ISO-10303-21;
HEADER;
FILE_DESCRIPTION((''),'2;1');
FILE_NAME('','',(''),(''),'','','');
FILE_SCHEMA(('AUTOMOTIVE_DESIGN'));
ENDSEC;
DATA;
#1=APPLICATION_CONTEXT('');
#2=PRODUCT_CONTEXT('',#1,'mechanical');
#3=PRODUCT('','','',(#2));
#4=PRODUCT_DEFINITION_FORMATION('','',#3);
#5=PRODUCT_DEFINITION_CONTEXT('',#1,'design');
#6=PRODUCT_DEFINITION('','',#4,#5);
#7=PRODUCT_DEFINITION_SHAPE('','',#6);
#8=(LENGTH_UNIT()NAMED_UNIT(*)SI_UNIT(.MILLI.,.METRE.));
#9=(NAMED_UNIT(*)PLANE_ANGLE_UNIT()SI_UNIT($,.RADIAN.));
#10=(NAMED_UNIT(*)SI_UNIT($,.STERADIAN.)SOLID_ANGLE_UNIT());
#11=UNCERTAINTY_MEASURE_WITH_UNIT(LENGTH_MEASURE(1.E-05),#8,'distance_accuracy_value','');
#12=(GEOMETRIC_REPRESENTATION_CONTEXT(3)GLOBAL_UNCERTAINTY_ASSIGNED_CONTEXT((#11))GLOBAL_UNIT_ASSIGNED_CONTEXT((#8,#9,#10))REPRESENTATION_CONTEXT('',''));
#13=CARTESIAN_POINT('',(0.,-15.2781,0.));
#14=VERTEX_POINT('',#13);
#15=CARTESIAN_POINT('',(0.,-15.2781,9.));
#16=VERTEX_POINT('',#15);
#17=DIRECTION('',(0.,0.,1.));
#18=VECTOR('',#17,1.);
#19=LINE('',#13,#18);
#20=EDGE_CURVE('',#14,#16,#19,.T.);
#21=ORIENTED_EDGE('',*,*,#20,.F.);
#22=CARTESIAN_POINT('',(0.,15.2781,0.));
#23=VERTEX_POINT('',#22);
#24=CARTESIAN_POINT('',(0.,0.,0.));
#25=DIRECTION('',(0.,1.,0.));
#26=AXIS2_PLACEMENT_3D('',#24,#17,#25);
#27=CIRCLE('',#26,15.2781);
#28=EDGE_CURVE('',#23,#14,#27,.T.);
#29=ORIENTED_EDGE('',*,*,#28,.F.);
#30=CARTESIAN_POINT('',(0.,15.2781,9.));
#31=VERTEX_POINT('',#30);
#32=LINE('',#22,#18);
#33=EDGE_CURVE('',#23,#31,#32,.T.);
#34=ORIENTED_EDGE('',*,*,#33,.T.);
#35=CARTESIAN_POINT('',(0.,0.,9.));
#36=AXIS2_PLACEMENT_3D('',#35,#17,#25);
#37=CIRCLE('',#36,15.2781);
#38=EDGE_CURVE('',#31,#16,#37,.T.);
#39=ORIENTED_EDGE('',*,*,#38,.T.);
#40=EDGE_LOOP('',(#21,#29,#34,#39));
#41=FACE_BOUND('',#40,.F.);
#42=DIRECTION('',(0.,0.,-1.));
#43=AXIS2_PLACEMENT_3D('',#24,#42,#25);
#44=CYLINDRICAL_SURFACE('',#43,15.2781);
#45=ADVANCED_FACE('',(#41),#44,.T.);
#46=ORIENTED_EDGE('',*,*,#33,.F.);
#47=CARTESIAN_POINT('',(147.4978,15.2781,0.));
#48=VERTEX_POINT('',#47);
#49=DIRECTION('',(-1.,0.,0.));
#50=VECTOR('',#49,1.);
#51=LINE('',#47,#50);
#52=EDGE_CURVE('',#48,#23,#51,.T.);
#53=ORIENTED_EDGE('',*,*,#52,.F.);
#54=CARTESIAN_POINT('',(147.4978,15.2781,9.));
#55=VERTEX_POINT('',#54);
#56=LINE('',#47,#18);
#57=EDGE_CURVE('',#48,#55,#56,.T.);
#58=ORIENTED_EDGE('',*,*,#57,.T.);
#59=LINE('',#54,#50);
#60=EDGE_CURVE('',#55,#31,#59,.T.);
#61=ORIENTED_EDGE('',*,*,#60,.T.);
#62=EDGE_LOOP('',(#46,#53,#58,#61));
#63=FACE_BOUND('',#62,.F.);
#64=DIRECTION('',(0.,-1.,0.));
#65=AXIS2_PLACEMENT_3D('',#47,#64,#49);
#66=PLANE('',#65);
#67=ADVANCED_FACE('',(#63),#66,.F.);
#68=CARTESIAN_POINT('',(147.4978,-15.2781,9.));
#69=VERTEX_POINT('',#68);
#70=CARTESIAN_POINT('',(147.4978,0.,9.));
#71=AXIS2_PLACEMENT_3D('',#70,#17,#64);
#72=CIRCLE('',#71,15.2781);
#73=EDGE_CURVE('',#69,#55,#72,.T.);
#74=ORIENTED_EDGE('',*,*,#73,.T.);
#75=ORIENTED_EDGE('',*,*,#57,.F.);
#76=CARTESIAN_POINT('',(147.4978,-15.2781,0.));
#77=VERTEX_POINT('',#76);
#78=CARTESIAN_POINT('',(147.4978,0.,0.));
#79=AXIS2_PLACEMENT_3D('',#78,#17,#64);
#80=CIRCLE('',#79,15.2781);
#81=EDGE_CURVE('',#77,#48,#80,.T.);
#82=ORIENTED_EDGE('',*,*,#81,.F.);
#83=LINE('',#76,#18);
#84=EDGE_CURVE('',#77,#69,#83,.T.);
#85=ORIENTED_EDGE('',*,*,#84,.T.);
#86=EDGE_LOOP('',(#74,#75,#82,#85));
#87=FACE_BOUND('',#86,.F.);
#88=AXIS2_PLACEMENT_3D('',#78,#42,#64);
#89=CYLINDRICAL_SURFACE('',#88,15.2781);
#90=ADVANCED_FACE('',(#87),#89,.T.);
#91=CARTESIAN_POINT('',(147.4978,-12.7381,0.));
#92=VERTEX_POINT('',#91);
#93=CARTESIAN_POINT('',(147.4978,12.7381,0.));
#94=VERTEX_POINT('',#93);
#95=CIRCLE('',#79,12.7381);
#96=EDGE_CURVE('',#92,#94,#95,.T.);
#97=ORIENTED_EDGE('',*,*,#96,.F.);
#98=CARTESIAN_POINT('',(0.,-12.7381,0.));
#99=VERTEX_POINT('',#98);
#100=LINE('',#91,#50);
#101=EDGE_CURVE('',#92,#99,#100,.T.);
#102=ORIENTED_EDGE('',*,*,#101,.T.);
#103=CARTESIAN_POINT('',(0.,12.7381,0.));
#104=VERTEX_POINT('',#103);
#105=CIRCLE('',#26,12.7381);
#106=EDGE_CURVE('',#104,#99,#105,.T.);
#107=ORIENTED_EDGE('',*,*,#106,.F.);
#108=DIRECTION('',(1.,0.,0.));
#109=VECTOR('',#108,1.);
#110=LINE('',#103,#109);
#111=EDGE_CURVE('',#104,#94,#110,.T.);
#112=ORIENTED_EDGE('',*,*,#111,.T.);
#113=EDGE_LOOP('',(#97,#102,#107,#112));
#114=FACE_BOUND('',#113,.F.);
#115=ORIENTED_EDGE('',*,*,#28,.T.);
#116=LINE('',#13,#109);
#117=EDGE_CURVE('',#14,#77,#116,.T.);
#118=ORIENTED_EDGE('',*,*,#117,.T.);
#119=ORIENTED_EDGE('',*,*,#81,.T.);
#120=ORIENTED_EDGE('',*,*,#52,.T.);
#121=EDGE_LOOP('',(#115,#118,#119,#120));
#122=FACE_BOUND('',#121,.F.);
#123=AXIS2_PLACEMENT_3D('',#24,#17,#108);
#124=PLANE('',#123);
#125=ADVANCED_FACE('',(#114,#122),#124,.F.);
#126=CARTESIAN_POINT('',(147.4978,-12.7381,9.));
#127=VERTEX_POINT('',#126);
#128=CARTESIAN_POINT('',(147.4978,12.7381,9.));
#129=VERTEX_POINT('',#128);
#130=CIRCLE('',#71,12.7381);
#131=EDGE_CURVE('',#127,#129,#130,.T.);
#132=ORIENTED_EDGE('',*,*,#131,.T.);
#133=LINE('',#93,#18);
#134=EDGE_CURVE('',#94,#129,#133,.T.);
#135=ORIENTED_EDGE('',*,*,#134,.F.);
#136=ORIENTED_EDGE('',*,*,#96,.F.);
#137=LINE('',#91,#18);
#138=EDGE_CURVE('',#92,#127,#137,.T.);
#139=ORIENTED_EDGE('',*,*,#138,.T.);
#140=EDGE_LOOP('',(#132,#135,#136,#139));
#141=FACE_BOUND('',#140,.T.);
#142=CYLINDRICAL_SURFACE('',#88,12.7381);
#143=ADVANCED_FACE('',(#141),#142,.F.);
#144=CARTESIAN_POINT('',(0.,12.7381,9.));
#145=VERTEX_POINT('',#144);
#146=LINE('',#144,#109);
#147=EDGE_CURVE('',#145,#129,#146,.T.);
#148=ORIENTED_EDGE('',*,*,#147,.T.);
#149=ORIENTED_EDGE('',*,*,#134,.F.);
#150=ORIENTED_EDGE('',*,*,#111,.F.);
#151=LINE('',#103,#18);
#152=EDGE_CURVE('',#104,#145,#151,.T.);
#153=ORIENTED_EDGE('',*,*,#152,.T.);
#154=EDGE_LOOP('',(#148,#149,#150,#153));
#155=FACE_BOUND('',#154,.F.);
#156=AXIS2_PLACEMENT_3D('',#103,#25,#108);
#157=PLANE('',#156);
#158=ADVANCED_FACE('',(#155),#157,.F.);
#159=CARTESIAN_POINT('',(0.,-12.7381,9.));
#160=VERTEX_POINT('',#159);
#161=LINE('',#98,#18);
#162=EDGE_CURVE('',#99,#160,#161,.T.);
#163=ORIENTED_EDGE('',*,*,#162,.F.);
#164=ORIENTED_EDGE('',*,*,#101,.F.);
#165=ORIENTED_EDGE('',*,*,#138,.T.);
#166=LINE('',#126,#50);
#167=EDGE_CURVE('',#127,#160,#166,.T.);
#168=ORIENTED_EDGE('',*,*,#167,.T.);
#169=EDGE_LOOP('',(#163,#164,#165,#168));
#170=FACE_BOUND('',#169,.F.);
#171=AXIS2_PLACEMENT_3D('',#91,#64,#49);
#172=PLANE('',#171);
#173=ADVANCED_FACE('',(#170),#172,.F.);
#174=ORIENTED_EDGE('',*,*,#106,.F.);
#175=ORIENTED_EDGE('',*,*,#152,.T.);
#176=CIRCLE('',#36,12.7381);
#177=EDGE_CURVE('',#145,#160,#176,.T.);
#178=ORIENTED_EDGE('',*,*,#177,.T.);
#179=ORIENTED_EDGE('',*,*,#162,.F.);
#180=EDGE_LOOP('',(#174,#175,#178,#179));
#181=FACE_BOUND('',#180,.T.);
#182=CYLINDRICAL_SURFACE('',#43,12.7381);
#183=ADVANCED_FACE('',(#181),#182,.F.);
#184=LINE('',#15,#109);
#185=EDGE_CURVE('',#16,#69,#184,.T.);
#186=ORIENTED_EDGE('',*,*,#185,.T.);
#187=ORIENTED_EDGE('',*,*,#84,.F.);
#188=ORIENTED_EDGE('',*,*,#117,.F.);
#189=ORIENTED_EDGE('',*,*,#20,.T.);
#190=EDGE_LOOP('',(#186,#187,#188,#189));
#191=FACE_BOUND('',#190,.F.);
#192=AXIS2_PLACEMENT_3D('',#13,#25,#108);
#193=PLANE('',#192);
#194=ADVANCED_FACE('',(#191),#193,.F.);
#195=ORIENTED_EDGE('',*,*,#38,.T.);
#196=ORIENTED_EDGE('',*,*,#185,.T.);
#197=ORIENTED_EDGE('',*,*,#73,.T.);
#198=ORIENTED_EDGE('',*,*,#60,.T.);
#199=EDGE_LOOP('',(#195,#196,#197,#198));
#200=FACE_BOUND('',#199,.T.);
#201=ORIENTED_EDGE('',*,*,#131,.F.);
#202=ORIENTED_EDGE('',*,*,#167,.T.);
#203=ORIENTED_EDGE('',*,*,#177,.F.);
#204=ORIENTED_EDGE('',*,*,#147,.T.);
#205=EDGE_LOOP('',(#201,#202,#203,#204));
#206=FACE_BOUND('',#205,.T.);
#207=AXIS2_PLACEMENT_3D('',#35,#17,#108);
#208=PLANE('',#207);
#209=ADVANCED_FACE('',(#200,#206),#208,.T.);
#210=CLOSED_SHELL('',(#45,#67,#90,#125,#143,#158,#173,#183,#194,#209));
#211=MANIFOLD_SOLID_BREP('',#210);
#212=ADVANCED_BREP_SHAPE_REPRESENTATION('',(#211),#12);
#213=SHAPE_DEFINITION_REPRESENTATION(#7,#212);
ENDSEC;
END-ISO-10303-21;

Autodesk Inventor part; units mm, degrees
ref_plane "YZ Plane" through (0, 0, 0) normal (1, 0, 0) x (0, 1, 0)
ref_plane "XZ Plane" through (0, 0, 0) normal (0, 1, 0) x (-1, 0, 0)
ref_plane "XY Plane" through (0, 0, 0) normal (0, 0, 1) x (1, 0, 0)
sketch "Sketch1" plane through (0, 0, 0) normal (0, 0, 1) x (1, 0, 0)
  arc A0 (0, 12.7381) -> (0, -12.7381) centre (0, 0) ccw
  arc A1 (147.4978, -12.7381) -> (147.4978, 12.7381) centre (147.4978, 0) ccw
  line L0 (0, 12.7381) -> (147.4978, 12.7381)
  line L1 (147.4978, -12.7381) -> (0, -12.7381)
  line L2 (147.4978, 15.2781) -> (0, 15.2781)
  arc A2 (0, 15.2781) -> (0, -15.2781) centre (0, 0) ccw
  line L3 (0, -15.2781) -> (147.4978, -15.2781)
  arc A3 (147.4978, -15.2781) -> (147.4978, 15.2781) centre (147.4978, 0) ccw
  dimension "d0" = 25.4762
  dimension "d1" = 147.4978
  dimension "d2" = 2.54
extrude "Extrusion1" add sketch "Sketch1" along normal blind 9
properties part number "INDX_021_BottomBelt" material "Rubber"
